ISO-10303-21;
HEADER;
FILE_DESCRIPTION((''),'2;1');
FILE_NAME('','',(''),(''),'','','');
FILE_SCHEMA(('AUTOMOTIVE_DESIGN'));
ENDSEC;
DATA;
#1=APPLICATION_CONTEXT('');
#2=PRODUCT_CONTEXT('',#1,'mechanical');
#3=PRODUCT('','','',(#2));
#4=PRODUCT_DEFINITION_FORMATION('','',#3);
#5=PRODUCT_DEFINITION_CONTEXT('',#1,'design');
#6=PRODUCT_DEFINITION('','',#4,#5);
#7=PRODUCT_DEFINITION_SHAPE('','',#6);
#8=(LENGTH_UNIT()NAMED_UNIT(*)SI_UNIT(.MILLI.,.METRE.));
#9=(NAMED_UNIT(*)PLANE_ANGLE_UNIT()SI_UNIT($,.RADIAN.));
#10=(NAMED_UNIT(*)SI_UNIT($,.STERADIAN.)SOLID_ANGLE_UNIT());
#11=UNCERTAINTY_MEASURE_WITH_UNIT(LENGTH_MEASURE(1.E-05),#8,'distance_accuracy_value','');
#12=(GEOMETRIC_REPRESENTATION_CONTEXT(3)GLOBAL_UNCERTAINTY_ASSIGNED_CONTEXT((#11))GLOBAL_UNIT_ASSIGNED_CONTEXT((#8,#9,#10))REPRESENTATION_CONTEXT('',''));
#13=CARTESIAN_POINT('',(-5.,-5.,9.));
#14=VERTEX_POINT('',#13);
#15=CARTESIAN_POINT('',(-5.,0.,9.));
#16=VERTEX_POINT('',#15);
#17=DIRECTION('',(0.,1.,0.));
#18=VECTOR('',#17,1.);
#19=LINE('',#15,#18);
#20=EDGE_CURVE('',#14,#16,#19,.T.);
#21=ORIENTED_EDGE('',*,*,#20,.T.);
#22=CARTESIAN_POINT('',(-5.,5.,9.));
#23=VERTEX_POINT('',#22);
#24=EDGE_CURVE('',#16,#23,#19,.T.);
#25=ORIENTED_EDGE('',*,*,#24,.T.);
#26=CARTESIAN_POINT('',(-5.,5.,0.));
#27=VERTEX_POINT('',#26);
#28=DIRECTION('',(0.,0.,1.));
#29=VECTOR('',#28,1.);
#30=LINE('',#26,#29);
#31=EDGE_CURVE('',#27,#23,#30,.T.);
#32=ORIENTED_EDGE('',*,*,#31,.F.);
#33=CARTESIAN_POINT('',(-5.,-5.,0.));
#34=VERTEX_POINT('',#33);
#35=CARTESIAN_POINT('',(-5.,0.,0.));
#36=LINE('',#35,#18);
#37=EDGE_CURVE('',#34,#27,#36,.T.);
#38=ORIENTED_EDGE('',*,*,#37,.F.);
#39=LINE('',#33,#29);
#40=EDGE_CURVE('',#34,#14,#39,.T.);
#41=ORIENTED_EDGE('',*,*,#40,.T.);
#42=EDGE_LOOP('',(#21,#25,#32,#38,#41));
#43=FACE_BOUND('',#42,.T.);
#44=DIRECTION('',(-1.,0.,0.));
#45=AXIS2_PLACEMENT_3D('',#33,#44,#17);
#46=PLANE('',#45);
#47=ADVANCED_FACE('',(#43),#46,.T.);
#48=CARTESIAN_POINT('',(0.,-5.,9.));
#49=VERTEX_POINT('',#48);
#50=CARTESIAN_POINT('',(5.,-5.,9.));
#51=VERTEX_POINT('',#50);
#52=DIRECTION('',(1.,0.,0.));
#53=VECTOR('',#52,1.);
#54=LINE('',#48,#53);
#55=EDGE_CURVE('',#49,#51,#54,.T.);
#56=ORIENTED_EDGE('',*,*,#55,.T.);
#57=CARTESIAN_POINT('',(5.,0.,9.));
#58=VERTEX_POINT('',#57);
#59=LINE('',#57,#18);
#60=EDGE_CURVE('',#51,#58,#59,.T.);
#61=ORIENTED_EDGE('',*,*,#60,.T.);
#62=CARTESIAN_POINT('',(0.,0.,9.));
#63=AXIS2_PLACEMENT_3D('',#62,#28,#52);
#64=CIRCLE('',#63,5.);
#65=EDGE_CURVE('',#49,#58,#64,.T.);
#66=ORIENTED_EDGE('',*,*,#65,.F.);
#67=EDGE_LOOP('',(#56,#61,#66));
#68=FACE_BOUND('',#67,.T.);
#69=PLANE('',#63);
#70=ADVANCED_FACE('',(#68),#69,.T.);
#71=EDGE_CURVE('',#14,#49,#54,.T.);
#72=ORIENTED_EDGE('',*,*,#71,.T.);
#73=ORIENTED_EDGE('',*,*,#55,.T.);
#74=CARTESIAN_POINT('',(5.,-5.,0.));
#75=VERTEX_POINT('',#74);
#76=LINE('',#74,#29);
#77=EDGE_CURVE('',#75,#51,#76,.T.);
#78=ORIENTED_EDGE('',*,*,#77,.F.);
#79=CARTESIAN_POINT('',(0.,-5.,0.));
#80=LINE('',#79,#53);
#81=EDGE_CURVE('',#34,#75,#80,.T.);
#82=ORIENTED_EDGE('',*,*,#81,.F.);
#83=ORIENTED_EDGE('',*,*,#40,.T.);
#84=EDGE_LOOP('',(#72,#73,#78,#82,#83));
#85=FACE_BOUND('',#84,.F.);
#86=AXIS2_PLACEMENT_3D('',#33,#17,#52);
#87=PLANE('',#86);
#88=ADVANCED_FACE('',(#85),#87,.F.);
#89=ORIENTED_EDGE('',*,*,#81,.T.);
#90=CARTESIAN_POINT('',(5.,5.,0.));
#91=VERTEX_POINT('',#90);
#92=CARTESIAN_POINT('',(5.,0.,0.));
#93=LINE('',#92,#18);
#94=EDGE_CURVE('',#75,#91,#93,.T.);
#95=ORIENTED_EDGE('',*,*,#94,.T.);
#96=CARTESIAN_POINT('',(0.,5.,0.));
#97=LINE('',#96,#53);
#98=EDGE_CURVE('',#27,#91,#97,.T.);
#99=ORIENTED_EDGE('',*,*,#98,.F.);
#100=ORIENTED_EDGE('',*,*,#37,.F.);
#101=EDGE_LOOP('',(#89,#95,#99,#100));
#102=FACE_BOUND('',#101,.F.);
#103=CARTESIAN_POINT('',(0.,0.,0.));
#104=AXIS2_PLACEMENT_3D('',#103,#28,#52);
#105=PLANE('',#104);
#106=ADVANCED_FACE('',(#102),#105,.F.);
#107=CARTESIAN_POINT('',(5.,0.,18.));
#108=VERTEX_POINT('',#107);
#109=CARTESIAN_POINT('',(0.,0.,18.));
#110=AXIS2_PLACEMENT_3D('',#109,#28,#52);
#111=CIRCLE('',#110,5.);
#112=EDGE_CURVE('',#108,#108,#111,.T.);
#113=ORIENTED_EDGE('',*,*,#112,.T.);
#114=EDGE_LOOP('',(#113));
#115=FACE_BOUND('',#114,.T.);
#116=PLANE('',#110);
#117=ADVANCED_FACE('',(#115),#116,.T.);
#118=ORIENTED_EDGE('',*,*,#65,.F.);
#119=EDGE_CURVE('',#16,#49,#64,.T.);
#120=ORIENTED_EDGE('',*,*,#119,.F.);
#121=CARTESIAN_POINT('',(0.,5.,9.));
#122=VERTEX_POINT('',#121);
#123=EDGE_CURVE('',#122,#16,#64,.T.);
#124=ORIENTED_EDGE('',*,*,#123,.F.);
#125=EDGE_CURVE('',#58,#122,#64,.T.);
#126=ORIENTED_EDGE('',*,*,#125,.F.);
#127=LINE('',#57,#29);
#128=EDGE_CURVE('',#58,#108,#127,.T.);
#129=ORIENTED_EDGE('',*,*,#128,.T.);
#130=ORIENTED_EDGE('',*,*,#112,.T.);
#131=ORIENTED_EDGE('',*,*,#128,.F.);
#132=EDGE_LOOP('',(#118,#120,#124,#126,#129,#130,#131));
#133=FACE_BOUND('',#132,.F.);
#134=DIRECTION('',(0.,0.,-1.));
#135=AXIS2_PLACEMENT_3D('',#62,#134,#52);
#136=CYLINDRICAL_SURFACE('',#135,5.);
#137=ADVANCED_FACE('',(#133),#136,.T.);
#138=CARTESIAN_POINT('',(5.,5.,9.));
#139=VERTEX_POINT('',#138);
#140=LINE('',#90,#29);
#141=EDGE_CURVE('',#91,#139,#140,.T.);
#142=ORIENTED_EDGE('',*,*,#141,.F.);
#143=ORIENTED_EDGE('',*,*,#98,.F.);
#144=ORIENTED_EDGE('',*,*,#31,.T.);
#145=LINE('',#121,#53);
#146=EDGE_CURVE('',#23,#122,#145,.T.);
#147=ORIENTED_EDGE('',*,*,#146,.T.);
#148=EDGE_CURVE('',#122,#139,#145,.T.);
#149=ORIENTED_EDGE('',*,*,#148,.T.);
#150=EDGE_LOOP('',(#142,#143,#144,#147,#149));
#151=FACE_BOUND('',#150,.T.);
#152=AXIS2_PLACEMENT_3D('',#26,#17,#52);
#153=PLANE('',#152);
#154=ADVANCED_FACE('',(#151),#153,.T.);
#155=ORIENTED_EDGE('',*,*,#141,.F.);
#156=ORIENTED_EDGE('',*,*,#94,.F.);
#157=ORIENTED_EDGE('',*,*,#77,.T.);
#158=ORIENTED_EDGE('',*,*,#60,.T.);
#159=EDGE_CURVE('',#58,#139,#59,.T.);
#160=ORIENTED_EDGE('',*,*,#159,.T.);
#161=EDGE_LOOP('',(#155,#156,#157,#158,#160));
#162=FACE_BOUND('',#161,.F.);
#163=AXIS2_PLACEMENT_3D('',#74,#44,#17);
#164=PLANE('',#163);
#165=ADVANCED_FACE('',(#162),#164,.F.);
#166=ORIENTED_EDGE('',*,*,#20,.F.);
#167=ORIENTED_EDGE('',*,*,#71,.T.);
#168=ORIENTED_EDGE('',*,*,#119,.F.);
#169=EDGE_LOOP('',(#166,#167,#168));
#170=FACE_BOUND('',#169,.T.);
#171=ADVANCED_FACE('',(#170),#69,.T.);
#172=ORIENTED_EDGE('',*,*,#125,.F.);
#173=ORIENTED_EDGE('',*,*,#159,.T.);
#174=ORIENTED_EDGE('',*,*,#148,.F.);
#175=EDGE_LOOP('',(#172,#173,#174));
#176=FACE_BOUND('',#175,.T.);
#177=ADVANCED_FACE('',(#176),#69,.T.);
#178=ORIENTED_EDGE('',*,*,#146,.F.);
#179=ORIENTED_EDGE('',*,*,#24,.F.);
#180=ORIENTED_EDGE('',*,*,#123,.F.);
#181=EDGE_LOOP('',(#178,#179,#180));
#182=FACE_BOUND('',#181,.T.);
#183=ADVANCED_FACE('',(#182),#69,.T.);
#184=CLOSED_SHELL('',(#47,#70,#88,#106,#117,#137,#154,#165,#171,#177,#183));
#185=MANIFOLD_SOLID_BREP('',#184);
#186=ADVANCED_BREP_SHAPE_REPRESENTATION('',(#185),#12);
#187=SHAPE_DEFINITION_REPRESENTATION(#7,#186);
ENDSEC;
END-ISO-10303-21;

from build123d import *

# Parameters (mm, degrees)
SKETCH_W     = 10
SKETCH_H     = 10
PAD_DEPTH    = 9
SKETCH001_R  = 5
PAD001_DEPTH = 9


with BuildPart() as part:
    # Sketch → Pad (new body)
    with BuildSketch(Plane.XY):
        Rectangle(SKETCH_W, SKETCH_H)
    extrude(amount=PAD_DEPTH)

    # Sketch001 → Pad001 (join)
    with BuildSketch(Plane.XY.offset(9)):
        Circle(SKETCH001_R)
    extrude(amount=PAD001_DEPTH)


solid = part.part
